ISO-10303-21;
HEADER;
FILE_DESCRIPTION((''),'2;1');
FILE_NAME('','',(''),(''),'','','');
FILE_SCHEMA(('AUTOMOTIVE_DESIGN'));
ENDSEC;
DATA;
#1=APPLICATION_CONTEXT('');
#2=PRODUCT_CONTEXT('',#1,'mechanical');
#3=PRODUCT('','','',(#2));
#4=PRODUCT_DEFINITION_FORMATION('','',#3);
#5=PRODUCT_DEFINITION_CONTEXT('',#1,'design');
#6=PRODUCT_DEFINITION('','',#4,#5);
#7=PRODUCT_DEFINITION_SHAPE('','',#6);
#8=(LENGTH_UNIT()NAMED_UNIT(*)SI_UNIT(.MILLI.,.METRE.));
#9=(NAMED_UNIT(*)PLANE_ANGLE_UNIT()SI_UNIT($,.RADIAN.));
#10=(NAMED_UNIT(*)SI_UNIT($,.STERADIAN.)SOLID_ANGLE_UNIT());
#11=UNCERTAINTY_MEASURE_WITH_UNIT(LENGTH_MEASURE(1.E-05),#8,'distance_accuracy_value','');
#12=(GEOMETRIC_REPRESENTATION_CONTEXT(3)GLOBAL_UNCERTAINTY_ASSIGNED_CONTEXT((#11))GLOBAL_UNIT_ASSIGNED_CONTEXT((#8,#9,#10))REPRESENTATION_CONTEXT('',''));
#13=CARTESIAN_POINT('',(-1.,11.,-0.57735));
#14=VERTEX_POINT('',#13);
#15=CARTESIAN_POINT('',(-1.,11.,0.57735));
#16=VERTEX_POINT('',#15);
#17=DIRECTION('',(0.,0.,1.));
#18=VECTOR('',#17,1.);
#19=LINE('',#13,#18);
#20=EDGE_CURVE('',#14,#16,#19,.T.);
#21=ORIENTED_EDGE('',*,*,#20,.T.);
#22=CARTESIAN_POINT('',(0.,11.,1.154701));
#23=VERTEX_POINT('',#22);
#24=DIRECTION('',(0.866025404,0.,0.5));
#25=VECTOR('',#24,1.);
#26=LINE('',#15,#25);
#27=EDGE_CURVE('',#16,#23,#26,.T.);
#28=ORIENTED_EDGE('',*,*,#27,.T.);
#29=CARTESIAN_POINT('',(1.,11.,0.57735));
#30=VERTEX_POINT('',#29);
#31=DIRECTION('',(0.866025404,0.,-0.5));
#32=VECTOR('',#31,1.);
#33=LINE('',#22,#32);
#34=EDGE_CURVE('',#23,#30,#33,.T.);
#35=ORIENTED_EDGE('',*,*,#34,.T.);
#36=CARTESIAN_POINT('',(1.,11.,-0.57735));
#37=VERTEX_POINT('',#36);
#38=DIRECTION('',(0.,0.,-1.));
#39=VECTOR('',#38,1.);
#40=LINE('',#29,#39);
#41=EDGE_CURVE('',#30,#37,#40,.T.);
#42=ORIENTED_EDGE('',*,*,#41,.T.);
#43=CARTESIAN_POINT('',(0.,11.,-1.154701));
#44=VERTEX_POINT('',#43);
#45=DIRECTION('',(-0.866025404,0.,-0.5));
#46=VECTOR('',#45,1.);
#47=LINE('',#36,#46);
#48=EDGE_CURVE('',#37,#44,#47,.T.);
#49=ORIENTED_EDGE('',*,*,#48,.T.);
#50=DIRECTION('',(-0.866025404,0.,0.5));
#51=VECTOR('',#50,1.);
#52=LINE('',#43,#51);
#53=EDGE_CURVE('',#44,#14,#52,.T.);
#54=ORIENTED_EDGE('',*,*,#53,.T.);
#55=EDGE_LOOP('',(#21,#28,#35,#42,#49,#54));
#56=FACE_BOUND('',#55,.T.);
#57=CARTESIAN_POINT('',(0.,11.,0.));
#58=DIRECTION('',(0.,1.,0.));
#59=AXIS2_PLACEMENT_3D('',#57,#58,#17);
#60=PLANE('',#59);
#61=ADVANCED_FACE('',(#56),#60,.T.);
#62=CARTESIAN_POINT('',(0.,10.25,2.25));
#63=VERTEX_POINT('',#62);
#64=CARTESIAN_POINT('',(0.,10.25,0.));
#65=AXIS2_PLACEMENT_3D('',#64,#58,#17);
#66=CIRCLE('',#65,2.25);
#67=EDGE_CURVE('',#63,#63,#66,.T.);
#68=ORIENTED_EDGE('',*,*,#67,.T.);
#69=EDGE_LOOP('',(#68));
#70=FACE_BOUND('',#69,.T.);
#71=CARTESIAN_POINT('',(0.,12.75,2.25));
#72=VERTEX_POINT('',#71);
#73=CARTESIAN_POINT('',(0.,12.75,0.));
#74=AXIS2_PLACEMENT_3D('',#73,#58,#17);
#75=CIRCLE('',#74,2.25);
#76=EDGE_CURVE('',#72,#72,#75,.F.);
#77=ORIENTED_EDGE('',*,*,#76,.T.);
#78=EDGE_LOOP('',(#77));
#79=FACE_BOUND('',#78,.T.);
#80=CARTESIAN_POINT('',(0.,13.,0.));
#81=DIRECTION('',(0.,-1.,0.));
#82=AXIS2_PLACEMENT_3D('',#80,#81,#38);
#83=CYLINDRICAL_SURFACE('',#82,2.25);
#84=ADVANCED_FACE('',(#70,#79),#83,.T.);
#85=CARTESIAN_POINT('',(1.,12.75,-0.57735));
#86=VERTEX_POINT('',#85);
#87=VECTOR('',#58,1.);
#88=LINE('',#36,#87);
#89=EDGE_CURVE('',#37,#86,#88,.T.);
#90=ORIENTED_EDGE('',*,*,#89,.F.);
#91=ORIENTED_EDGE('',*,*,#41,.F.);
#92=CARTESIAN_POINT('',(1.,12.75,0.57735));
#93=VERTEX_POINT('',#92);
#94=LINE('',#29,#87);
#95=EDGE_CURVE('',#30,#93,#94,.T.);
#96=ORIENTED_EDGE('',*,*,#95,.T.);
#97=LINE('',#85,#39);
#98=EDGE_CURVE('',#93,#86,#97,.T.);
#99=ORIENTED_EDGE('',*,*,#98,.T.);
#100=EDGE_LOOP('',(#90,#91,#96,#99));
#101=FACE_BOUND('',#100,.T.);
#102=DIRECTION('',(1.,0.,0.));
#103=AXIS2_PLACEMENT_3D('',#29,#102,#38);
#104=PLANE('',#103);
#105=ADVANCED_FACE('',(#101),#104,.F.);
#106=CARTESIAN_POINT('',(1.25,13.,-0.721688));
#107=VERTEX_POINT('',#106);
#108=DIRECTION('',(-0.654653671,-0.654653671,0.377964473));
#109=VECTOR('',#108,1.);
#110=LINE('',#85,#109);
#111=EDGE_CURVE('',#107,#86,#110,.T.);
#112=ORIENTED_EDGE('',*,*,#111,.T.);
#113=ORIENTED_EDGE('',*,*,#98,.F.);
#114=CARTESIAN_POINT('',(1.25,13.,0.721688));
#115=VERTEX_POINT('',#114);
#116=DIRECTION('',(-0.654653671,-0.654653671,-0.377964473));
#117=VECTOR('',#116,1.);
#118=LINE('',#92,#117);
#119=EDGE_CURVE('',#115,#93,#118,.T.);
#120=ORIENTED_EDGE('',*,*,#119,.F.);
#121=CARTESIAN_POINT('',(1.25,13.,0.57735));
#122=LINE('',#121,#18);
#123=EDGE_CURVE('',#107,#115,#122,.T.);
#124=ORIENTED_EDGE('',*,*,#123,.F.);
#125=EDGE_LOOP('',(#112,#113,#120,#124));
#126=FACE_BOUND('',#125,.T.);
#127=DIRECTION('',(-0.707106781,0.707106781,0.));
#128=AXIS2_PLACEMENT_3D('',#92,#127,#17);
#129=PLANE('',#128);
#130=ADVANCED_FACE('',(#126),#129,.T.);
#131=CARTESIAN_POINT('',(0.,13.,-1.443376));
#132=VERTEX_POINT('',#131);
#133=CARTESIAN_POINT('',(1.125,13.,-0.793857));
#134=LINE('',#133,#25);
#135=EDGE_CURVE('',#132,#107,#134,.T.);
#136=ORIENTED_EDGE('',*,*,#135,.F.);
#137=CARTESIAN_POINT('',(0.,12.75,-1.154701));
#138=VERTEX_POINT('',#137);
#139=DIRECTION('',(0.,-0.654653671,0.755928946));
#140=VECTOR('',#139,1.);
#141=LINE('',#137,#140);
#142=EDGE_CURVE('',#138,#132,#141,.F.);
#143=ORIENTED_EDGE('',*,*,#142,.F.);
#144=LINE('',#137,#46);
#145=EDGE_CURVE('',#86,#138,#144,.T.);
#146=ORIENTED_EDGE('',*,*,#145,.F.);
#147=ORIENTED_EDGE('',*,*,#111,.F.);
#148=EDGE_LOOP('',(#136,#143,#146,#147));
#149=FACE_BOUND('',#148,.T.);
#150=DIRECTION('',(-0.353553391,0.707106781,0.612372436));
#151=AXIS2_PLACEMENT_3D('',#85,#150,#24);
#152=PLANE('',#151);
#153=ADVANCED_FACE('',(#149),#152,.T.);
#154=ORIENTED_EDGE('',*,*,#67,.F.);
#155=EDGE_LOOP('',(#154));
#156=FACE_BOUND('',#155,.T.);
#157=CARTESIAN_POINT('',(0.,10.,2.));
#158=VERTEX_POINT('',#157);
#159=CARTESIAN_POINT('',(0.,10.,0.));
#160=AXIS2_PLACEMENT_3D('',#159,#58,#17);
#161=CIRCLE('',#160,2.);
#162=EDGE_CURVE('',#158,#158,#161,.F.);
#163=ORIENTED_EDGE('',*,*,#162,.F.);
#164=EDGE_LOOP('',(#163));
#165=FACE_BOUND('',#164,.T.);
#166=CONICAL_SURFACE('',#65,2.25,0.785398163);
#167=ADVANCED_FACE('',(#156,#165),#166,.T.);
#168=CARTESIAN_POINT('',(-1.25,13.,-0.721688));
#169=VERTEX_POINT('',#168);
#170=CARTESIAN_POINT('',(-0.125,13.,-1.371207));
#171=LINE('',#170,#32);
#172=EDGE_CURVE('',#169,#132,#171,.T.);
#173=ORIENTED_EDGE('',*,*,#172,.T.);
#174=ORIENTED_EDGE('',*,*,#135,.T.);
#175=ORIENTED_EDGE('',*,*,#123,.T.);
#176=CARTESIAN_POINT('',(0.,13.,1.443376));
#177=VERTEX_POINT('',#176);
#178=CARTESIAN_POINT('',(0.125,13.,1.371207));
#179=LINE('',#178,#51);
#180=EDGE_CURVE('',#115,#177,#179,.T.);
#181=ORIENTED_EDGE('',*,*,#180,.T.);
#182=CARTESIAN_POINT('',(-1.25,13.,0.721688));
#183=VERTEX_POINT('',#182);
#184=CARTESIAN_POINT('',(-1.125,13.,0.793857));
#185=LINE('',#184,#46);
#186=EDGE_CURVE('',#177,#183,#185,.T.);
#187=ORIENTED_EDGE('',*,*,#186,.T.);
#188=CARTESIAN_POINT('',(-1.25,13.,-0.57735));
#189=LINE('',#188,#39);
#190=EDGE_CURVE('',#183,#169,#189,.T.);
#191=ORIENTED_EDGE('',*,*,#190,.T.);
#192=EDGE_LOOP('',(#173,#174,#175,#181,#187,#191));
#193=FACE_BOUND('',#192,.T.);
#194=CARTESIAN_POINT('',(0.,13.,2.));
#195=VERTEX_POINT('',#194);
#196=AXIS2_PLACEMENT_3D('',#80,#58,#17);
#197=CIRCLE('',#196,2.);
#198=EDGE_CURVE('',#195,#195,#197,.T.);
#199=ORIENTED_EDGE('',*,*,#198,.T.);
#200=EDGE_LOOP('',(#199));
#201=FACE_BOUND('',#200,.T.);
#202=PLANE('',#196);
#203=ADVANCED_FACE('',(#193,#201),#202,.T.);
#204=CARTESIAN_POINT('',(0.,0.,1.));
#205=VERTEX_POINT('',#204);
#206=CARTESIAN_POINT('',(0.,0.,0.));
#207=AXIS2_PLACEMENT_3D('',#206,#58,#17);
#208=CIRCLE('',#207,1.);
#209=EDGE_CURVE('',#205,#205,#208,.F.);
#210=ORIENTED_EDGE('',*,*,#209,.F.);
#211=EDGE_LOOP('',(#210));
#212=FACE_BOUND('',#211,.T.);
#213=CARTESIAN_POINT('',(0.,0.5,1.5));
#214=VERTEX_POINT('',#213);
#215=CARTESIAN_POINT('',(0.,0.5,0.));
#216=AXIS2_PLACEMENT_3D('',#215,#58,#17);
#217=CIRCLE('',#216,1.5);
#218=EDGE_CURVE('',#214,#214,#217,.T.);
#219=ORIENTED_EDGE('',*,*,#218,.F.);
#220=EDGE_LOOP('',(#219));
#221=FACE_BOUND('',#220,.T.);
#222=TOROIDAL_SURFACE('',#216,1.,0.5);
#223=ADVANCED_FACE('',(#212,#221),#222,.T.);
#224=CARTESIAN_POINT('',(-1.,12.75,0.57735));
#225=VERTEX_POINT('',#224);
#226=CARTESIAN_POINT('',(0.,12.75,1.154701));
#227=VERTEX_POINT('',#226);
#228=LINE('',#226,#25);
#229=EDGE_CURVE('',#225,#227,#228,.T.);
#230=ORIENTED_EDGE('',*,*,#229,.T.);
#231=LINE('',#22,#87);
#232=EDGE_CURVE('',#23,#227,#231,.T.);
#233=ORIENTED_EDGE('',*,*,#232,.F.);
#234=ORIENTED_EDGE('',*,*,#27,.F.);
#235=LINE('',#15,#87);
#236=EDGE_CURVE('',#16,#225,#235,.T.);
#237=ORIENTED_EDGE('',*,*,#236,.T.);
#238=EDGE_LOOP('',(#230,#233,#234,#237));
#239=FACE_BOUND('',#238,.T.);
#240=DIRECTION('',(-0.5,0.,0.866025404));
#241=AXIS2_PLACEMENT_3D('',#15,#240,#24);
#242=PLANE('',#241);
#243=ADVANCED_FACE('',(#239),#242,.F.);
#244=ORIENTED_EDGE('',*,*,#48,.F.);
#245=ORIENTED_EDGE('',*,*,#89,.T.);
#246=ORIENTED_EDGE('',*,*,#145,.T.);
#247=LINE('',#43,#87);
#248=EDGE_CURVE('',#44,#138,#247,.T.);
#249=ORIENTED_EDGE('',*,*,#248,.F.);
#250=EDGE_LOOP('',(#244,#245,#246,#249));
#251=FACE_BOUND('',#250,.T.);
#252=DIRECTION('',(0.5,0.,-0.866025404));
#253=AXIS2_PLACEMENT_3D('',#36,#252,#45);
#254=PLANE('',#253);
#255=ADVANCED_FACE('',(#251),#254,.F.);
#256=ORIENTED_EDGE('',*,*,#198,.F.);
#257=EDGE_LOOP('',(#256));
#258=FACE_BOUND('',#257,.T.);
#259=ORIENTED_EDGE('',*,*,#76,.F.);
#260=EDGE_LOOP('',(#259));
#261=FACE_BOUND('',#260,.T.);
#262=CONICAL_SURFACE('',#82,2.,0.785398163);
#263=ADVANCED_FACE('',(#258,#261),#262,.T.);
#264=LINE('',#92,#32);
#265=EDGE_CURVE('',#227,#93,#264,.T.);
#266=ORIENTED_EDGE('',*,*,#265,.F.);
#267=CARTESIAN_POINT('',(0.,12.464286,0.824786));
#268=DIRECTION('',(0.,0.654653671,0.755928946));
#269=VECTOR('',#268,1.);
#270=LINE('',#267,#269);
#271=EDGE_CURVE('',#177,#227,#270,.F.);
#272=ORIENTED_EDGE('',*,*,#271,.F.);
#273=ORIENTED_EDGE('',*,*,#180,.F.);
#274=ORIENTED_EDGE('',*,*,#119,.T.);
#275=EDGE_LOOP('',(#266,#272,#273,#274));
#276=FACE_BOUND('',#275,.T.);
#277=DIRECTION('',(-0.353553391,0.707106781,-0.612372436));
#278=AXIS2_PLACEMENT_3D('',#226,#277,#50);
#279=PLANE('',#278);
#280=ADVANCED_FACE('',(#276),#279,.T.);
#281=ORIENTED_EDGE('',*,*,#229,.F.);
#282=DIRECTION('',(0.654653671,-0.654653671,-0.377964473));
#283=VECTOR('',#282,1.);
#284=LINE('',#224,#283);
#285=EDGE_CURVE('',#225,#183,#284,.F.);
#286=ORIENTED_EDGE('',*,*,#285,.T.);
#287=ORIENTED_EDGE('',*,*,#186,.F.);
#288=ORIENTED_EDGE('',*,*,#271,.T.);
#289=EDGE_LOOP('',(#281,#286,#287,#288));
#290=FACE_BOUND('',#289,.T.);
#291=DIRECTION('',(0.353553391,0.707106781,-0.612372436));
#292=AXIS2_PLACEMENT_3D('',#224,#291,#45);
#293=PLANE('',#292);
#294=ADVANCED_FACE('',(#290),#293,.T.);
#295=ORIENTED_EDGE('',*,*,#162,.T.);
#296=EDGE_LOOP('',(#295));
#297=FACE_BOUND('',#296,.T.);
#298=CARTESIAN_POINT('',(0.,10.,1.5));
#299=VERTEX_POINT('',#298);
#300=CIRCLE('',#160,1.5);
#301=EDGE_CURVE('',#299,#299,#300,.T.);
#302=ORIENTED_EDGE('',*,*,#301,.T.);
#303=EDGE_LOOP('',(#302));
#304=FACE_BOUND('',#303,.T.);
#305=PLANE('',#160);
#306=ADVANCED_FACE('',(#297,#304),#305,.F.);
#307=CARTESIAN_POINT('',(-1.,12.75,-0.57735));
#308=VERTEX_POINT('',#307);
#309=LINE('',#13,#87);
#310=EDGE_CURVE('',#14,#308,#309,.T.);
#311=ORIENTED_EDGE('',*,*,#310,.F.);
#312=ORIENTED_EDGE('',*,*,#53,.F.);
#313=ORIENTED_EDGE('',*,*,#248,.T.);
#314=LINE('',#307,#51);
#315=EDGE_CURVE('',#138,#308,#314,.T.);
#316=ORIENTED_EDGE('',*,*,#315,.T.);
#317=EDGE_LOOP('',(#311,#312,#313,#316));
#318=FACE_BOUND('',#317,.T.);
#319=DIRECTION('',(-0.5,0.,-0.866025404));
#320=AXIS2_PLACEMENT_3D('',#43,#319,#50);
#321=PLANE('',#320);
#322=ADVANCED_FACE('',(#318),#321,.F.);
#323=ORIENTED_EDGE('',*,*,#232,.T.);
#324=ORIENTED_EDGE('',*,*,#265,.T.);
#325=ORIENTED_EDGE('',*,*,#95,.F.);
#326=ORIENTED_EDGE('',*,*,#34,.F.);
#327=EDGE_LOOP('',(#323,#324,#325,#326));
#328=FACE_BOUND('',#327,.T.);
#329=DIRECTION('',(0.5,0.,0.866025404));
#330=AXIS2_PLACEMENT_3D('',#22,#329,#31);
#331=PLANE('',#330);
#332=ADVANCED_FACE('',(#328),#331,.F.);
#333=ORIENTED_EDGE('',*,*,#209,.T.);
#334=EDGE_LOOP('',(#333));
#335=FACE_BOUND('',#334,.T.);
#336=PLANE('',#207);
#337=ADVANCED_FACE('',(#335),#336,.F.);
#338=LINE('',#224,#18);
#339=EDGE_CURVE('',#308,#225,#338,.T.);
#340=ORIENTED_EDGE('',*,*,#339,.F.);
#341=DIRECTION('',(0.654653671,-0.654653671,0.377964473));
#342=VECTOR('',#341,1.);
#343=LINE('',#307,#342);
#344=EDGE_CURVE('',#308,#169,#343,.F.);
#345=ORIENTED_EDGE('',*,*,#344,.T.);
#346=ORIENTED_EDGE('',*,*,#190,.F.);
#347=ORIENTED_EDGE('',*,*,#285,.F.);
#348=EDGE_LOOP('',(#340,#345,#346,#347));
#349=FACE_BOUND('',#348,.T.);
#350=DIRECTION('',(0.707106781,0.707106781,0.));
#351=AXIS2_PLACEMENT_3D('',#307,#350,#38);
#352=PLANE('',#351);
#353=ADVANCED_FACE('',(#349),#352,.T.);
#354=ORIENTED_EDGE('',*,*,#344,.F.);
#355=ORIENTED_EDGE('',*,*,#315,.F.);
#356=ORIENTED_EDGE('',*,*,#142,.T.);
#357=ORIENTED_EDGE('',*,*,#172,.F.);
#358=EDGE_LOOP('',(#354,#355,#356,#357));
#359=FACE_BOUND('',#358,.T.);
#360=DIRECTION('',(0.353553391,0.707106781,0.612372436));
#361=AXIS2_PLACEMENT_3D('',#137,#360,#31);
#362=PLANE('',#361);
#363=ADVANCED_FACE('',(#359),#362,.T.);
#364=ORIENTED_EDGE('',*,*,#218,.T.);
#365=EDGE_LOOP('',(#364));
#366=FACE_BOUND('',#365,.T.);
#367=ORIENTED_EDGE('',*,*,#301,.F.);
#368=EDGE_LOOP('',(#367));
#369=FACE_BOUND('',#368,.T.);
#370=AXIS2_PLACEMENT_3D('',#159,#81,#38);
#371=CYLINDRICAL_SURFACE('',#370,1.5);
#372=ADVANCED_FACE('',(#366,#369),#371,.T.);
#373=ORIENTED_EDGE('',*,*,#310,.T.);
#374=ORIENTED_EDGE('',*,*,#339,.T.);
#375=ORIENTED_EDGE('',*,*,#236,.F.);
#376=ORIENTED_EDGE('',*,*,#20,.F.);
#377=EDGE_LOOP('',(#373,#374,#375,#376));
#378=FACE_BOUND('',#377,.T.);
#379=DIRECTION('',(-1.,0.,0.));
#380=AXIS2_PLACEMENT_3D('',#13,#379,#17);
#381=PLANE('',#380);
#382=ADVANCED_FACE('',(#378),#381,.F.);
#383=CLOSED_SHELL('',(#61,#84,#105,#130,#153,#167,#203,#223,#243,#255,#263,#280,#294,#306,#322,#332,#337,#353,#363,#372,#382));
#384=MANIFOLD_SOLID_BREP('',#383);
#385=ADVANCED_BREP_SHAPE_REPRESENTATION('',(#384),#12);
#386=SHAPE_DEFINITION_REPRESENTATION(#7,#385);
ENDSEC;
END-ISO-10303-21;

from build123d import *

# Parameters (mm, degrees)
SKETCH1_R           = 1.5
BOSS_EXTRUDE1_DEPTH = 10
SKETCH2_R           = 2.25
BOSS_EXTRUDE2_DEPTH = 3
CUT_EXTRUDE1_DEPTH  = 2
CHAMFER1_SIZE       = 0.25
FILLET1_R           = 0.5


with BuildPart() as part:
    # Sketch1 → Boss-Extrude1 (new body)
    with BuildSketch(Plane(origin=(0, 0, 0), x_dir=(1, 0, 0), z_dir=(0, 1, 0))):
        with Locations(Location((0, 0, 0), (0, 0, 270))):
            Circle(SKETCH1_R)
    extrude(amount=BOSS_EXTRUDE1_DEPTH)

    # Sketch2 → Boss-Extrude2 (add)
    with BuildSketch(Plane(origin=(0, 10, 0), x_dir=(1, 0, 0), z_dir=(0, 1, 0))):
        with Locations(Location((0, 0, 0), (0, 0, 270))):
            Circle(SKETCH2_R)
    extrude(amount=BOSS_EXTRUDE2_DEPTH)

    # Sketch3 → Cut-Extrude1 (cut)
    with BuildSketch(Plane(origin=(0, 13, 0), x_dir=(1, 0, 0), z_dir=(0, 1, 0))):
        Polygon((0, 1.154700538), (-1, 0.577350269), (-1, -0.577350269), (0, -1.154700538), (1, -0.577350269), (1, 0.577350269), align=None)
    extrude(amount=-CUT_EXTRUDE1_DEPTH, mode=Mode.SUBTRACT)

    # Chamfer1
    chamfer1_edges = [part.edges().sort_by_distance(p)[0] for p in [
        (0.5, 13, -0.866025404),
        (-0.5, 13, -0.866025404),
        (-1, 13, 0),
        (-0.5, 13, 0.866025404),
        (0.5, 13, 0.866025404),
        (1, 13, 0),
        (0, 10, -2.25),
        (0, 13, -2.25),
    ]]
    chamfer(chamfer1_edges, length=CHAMFER1_SIZE)

    # Fillet1
    fillet1_edges = [part.edges().sort_by_distance(p)[0] for p in [
        (0, 0, -1.5),
    ]]
    fillet(fillet1_edges, radius=FILLET1_R)


solid = part.part
